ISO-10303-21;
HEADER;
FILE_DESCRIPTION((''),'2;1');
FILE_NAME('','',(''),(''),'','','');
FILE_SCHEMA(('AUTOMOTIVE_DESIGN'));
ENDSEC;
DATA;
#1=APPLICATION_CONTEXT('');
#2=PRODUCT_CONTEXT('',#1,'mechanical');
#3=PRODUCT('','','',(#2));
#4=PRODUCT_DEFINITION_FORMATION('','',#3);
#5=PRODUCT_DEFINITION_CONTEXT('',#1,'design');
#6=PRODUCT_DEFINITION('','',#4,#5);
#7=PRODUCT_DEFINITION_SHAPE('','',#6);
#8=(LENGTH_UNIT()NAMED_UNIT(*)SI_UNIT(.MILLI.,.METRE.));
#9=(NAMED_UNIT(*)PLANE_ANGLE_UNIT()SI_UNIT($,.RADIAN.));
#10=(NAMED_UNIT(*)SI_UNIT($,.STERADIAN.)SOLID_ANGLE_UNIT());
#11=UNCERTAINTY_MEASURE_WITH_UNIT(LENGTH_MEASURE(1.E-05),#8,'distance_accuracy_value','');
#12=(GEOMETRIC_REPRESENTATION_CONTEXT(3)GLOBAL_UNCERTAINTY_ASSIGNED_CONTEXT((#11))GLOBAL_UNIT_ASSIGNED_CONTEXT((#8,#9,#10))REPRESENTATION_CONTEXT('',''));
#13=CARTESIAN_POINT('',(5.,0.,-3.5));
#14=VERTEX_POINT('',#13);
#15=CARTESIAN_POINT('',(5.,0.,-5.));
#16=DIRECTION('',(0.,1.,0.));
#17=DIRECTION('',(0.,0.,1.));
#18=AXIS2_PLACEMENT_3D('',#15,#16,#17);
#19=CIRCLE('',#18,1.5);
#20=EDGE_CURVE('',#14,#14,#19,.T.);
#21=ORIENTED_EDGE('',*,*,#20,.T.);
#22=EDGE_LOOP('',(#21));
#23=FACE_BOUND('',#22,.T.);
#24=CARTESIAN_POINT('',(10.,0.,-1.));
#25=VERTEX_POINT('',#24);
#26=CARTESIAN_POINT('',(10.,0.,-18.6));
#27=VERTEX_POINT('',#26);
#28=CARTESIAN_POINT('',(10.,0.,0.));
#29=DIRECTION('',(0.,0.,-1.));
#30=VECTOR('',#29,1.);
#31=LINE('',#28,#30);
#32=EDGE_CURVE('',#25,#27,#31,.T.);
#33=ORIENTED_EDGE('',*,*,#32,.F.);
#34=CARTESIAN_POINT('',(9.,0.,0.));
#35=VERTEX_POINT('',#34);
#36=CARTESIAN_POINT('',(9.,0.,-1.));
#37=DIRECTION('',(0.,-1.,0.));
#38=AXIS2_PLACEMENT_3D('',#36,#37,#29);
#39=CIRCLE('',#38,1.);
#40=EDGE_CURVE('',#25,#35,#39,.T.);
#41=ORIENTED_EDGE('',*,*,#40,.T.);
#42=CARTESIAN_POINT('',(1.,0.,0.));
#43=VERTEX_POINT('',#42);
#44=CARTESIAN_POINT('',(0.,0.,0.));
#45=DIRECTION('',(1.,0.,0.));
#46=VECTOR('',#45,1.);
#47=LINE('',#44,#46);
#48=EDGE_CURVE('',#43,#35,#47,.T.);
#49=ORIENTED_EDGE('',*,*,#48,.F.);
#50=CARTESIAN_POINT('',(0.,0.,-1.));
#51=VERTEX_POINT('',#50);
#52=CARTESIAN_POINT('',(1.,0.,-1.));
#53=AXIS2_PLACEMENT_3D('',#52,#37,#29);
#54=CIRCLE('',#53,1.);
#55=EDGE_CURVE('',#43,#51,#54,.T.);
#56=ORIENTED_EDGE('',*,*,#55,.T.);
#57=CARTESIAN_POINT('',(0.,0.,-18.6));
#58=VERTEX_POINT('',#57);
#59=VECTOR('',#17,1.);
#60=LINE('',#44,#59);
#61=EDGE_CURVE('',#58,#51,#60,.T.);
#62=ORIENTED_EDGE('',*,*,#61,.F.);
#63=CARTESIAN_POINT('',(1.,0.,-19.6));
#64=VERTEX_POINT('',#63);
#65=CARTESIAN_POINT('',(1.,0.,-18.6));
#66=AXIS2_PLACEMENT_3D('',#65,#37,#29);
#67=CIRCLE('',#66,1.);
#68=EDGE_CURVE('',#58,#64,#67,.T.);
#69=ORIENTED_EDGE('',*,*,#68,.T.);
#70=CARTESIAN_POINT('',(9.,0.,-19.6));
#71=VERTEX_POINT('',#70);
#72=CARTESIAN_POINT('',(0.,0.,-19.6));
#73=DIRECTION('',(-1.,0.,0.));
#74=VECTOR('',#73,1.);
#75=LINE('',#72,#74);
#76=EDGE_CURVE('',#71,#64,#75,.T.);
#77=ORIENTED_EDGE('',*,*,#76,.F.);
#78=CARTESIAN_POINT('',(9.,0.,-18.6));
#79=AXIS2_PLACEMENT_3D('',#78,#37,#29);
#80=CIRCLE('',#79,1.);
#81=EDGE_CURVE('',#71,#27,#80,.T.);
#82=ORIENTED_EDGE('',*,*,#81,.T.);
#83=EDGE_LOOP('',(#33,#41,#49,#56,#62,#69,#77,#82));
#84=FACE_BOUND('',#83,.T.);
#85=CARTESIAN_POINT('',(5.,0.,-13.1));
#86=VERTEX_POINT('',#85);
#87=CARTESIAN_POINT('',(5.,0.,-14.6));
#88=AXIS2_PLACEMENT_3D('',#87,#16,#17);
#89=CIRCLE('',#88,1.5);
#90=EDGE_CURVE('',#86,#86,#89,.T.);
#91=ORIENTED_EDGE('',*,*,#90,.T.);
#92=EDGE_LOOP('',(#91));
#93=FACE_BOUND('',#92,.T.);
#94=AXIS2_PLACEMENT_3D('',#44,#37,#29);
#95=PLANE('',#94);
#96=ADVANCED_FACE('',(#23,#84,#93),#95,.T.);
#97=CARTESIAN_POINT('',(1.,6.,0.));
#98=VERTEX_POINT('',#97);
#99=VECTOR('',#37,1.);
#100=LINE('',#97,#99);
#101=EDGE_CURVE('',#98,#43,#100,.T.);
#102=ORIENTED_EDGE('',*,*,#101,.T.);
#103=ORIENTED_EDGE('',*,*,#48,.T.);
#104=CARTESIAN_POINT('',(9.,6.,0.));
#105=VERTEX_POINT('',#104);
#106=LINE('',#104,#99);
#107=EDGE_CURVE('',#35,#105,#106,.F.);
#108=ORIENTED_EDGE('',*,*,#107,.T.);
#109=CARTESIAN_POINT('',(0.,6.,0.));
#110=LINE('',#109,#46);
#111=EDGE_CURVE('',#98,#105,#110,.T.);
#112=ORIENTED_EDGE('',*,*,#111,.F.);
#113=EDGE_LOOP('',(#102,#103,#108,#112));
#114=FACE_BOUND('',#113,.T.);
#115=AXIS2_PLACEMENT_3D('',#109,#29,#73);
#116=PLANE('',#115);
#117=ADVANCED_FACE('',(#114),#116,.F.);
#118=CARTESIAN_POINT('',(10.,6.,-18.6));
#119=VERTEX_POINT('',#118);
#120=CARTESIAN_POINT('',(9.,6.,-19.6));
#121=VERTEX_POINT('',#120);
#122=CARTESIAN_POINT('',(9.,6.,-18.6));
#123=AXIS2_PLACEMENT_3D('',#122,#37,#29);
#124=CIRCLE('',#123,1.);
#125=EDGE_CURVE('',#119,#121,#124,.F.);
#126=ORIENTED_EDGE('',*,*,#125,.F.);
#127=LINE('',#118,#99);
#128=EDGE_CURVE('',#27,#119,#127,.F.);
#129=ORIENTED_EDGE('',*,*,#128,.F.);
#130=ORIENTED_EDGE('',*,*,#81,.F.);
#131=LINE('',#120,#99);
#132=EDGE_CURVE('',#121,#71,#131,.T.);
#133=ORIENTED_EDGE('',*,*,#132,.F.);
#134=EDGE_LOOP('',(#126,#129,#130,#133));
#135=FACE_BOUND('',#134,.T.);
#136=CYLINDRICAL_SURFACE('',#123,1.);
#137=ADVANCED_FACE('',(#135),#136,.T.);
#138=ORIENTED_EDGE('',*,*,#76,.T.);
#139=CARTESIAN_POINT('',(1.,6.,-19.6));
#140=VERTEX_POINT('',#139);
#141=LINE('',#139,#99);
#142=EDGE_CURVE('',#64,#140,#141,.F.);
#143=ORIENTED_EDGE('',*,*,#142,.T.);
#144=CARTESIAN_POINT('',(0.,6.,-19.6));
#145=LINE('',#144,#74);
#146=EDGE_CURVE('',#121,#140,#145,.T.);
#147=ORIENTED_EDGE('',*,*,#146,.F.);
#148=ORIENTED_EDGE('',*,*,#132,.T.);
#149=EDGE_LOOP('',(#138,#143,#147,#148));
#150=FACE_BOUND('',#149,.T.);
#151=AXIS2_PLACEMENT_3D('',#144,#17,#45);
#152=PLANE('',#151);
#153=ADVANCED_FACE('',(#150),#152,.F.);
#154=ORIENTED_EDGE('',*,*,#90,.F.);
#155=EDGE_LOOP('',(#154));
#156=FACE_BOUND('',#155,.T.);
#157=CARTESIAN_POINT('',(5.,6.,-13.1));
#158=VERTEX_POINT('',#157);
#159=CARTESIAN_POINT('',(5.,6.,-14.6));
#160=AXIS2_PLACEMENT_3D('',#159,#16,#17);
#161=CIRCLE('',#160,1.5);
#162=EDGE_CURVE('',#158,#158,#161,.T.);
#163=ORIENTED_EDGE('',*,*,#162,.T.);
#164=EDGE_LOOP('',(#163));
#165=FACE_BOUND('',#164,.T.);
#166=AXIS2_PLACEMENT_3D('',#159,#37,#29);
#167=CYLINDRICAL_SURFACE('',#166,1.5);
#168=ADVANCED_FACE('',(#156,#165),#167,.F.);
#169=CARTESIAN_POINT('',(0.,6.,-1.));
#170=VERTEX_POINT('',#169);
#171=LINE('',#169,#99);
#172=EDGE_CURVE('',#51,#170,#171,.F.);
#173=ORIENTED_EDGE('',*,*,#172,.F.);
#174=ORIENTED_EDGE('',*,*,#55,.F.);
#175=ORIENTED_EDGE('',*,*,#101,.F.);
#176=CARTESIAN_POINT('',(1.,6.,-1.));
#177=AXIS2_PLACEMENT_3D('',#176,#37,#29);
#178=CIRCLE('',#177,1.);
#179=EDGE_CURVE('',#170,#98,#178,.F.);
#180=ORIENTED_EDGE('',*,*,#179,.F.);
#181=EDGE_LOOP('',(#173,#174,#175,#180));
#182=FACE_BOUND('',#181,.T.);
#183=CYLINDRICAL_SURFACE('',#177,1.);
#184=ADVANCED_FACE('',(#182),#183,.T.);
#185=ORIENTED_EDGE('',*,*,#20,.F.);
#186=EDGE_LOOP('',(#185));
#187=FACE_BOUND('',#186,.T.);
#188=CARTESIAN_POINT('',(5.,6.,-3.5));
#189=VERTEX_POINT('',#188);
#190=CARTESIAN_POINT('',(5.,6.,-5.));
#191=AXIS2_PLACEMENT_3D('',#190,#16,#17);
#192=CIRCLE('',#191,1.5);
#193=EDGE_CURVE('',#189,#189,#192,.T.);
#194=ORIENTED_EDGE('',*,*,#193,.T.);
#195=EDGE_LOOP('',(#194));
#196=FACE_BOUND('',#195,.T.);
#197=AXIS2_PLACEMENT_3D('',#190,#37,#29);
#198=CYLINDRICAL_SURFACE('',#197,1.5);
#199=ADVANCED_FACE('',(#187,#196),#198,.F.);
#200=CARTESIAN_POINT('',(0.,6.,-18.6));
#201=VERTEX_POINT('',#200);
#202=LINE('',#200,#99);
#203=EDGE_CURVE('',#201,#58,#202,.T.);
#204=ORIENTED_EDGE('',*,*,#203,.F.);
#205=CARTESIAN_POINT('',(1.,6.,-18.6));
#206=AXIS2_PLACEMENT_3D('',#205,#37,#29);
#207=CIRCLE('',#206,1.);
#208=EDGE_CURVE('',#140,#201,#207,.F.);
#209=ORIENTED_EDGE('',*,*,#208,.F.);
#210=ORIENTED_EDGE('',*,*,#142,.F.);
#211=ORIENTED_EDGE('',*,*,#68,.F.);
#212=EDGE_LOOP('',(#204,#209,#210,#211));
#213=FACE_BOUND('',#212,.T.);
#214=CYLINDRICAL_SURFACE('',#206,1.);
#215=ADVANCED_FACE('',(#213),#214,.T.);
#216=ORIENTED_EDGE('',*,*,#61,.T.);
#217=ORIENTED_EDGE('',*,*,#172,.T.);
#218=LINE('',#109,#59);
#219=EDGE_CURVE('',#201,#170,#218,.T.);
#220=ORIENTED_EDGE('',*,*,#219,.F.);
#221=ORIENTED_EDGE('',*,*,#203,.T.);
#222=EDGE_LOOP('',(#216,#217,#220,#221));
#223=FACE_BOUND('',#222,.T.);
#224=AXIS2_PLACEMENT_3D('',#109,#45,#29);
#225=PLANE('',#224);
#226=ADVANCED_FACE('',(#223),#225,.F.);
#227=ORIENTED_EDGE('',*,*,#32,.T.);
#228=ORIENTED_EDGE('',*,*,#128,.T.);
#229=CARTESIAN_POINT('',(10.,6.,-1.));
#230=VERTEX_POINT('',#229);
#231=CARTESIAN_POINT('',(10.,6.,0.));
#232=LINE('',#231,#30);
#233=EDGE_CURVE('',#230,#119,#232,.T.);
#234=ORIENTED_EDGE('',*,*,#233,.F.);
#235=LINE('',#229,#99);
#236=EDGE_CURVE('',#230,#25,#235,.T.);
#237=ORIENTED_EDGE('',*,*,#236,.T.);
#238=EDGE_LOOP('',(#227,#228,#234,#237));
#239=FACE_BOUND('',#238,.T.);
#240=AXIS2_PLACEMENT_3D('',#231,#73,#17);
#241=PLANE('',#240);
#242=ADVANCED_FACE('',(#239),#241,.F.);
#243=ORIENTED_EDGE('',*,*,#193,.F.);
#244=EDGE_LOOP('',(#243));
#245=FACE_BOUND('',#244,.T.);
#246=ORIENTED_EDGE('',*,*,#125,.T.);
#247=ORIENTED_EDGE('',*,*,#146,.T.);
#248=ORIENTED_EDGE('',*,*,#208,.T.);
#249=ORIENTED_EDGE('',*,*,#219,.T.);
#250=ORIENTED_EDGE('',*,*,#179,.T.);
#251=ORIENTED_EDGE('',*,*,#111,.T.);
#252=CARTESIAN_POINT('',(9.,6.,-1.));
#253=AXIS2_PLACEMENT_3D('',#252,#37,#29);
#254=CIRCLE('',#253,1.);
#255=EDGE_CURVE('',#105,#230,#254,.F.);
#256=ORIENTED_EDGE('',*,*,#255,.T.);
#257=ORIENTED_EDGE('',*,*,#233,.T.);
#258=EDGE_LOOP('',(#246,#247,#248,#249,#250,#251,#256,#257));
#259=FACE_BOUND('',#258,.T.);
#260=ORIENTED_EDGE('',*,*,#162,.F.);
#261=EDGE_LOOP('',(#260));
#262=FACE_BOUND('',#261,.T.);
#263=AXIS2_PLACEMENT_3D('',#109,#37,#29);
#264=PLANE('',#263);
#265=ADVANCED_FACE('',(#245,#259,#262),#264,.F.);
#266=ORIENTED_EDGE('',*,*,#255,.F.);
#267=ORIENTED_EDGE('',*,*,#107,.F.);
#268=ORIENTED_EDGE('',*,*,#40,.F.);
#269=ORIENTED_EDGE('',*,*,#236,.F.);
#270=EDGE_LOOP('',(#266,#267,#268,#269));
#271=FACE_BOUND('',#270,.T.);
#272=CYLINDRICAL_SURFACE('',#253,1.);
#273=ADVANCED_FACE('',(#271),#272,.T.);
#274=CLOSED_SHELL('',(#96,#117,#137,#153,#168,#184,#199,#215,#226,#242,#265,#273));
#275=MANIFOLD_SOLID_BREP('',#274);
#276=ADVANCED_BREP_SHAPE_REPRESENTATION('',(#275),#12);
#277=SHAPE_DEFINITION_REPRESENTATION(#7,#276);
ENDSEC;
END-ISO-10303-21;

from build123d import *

# Parameters (mm, degrees)
SKETCH1_W           = 10
SKETCH1_H           = 19.6
SKETCH1_R           = 1.5
BOSS_EXTRUDE1_DEPTH = 6
FILLET1_R           = 1


with BuildPart() as part:
    # Sketch1 → Boss-Extrude1 (new body)
    with BuildSketch(Plane(origin=(0, 0, 0), x_dir=(1, 0, 0), z_dir=(0, 1, 0))):
        with Locations((5, 9.8)):
            Rectangle(SKETCH1_W, SKETCH1_H)
        with Locations(Location((5, 14.6, 0), (0, 0, 270))):
            Circle(SKETCH1_R, mode=Mode.SUBTRACT)
        with Locations(Location((5, 5, 0), (0, 0, 270))):
            Circle(SKETCH1_R, mode=Mode.SUBTRACT)
    extrude(amount=BOSS_EXTRUDE1_DEPTH)

    # Fillet1
    fillet1_edges = [part.edges().sort_by_distance(p)[0] for p in [
        (0, 3, -19.6),
        (10, 3, -19.6),
        (10, 3, 0),
        (0, 3, 0),
    ]]
    fillet(fillet1_edges, radius=FILLET1_R)


solid = part.part
